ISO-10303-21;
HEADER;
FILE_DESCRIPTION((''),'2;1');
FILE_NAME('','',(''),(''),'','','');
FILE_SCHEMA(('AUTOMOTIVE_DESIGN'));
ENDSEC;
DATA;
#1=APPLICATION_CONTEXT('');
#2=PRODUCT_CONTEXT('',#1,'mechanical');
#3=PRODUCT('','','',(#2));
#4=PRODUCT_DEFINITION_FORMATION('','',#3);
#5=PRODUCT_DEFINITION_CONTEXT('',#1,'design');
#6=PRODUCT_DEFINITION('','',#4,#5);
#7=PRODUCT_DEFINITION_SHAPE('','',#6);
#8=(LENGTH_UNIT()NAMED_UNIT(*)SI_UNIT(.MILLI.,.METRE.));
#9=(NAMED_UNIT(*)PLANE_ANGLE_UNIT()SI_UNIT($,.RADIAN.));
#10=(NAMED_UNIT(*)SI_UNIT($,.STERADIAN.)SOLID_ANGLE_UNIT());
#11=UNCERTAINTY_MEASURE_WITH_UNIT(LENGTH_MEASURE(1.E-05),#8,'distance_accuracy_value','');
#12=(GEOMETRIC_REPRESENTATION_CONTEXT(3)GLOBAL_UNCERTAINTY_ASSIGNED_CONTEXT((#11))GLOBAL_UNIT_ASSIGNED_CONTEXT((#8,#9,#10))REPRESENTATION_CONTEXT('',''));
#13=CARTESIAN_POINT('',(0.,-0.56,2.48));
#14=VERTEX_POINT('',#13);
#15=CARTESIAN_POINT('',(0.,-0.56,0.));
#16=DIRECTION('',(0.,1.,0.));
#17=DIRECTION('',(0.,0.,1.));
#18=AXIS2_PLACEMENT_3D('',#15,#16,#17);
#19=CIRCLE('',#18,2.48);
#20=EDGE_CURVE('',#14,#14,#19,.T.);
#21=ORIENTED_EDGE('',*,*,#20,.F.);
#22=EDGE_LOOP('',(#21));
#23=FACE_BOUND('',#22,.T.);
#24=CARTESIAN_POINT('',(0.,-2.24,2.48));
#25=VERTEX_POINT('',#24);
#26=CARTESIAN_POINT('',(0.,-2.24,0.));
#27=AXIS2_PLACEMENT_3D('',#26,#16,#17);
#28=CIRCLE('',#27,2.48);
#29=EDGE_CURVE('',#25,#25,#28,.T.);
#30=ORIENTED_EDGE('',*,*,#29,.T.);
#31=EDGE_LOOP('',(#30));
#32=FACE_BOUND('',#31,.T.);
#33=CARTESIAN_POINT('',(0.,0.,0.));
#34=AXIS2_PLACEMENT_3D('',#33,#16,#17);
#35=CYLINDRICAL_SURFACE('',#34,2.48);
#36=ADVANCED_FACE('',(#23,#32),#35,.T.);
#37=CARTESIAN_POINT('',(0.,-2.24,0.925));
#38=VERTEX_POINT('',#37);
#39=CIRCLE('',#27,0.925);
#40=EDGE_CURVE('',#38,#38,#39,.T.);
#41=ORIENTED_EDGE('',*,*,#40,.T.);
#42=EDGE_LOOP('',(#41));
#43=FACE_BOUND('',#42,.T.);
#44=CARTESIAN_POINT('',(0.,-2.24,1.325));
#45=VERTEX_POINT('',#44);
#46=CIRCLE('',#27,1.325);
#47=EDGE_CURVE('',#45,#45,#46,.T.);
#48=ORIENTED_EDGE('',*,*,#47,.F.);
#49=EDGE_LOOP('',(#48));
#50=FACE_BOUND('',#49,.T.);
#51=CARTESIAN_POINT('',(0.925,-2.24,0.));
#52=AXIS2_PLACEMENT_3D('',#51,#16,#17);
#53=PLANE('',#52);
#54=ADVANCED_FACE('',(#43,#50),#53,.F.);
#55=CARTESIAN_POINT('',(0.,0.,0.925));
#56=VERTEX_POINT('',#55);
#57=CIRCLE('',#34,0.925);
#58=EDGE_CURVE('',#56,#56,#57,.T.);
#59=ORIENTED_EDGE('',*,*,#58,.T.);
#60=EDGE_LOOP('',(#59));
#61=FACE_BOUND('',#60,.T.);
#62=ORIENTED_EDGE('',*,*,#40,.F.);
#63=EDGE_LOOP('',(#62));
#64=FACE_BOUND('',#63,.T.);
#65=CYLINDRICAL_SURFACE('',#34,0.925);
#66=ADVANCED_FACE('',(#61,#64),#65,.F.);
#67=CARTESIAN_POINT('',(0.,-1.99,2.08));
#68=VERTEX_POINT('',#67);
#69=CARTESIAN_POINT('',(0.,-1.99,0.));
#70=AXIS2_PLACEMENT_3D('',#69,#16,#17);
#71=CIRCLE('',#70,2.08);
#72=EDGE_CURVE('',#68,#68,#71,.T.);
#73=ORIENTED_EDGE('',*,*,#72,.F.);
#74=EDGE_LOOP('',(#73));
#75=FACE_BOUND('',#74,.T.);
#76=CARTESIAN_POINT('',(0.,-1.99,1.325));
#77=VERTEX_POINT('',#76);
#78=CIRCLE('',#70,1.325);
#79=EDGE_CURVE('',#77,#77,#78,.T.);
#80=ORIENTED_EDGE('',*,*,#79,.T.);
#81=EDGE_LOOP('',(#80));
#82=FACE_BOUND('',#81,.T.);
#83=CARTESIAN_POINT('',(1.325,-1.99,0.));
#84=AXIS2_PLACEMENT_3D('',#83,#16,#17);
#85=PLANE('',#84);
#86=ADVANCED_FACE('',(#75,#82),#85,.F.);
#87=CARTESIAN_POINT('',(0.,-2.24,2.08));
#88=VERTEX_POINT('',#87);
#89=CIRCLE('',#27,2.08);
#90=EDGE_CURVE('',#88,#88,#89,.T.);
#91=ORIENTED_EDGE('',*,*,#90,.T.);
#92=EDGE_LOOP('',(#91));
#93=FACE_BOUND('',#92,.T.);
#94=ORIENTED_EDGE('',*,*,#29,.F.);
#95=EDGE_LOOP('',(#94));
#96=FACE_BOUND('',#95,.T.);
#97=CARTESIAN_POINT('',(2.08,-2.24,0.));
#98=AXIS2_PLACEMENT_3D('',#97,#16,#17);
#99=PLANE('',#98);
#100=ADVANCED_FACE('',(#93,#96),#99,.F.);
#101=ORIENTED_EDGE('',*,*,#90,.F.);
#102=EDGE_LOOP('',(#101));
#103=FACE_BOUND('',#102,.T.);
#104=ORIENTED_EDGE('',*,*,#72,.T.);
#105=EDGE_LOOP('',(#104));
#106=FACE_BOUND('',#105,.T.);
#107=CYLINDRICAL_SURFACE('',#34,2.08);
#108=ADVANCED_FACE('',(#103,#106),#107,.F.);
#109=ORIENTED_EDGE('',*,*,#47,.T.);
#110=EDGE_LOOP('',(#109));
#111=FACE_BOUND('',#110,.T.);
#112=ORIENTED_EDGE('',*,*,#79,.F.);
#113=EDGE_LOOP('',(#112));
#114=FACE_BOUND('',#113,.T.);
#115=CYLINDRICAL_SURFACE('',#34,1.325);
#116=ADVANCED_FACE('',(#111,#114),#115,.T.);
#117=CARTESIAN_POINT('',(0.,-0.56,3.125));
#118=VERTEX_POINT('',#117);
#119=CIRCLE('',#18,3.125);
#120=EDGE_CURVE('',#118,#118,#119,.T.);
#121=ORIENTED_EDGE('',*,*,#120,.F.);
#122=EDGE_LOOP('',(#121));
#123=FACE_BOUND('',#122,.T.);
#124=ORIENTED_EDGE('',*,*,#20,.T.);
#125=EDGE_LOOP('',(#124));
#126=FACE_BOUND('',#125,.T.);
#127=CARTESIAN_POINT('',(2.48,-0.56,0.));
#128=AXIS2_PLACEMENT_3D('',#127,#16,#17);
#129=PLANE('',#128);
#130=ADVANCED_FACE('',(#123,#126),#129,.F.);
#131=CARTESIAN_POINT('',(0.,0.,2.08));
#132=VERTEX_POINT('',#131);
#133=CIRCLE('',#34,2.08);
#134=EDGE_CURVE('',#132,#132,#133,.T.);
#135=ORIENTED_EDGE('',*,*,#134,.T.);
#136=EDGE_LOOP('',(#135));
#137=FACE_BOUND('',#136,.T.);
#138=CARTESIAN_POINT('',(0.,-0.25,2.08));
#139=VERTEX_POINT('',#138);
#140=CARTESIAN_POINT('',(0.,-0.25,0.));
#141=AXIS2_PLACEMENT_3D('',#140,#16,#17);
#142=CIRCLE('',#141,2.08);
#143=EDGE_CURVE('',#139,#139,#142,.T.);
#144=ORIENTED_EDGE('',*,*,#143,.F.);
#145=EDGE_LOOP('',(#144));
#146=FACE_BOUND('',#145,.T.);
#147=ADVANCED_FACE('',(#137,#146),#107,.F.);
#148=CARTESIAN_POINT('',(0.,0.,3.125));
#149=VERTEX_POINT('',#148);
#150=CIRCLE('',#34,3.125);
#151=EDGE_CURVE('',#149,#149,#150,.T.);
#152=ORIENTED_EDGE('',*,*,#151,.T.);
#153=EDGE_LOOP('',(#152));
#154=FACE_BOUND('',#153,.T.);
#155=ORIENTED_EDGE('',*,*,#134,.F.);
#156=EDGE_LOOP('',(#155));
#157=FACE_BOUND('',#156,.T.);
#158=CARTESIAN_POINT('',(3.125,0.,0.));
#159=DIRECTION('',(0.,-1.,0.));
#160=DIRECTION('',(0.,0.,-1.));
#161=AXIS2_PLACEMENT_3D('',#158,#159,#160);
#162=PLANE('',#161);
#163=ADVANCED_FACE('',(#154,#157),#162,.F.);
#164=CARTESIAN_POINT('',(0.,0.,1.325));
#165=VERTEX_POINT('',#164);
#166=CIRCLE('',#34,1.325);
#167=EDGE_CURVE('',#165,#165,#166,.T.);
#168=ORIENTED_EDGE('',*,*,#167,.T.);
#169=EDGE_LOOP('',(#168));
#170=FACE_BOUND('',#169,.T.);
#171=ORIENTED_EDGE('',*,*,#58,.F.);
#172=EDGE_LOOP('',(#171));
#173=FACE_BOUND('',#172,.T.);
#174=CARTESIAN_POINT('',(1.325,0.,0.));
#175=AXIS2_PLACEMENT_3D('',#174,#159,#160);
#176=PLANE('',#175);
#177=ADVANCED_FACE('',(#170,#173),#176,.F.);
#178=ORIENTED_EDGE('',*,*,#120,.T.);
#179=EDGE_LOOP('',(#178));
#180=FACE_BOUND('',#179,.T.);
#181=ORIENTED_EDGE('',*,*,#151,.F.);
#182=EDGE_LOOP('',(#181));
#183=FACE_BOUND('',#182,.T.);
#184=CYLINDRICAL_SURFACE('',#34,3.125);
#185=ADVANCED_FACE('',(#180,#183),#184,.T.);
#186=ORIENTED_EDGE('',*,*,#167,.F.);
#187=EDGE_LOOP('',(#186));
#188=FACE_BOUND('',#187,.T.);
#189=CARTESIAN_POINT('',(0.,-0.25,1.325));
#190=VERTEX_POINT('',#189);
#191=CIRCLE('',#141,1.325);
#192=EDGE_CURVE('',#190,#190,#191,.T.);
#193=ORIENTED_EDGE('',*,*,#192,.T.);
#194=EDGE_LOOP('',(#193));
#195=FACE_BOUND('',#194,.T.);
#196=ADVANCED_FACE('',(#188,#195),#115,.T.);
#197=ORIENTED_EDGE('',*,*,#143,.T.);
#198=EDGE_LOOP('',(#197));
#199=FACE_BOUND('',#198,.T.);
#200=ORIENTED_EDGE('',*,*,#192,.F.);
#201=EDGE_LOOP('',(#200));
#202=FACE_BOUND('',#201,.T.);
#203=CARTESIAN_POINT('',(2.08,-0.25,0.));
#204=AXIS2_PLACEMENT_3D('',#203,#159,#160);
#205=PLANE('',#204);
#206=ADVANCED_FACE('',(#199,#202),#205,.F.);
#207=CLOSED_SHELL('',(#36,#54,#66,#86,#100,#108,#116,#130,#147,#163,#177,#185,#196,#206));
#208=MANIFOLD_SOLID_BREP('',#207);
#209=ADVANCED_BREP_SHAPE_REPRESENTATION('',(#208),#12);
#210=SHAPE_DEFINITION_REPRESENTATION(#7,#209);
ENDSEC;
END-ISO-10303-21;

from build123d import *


with BuildPart() as part:
    # Sketch1 → Revolve1 (revolve)
    with BuildSketch(Plane.XY):
        Polygon((3.125, 0), (2.08, 0), (2.08, -0.25), (1.325, -0.25), (1.325, 0), (0.925, 0), (0.925, -2.24), (1.325, -2.24), (1.325, -1.99), (2.08, -1.99), (2.08, -2.24), (2.48, -2.24), (2.48, -0.56), (3.125, -0.56), align=None)
    revolve(axis=Axis((0, 0, 0), (0, -1, 0)))


solid = part.part
